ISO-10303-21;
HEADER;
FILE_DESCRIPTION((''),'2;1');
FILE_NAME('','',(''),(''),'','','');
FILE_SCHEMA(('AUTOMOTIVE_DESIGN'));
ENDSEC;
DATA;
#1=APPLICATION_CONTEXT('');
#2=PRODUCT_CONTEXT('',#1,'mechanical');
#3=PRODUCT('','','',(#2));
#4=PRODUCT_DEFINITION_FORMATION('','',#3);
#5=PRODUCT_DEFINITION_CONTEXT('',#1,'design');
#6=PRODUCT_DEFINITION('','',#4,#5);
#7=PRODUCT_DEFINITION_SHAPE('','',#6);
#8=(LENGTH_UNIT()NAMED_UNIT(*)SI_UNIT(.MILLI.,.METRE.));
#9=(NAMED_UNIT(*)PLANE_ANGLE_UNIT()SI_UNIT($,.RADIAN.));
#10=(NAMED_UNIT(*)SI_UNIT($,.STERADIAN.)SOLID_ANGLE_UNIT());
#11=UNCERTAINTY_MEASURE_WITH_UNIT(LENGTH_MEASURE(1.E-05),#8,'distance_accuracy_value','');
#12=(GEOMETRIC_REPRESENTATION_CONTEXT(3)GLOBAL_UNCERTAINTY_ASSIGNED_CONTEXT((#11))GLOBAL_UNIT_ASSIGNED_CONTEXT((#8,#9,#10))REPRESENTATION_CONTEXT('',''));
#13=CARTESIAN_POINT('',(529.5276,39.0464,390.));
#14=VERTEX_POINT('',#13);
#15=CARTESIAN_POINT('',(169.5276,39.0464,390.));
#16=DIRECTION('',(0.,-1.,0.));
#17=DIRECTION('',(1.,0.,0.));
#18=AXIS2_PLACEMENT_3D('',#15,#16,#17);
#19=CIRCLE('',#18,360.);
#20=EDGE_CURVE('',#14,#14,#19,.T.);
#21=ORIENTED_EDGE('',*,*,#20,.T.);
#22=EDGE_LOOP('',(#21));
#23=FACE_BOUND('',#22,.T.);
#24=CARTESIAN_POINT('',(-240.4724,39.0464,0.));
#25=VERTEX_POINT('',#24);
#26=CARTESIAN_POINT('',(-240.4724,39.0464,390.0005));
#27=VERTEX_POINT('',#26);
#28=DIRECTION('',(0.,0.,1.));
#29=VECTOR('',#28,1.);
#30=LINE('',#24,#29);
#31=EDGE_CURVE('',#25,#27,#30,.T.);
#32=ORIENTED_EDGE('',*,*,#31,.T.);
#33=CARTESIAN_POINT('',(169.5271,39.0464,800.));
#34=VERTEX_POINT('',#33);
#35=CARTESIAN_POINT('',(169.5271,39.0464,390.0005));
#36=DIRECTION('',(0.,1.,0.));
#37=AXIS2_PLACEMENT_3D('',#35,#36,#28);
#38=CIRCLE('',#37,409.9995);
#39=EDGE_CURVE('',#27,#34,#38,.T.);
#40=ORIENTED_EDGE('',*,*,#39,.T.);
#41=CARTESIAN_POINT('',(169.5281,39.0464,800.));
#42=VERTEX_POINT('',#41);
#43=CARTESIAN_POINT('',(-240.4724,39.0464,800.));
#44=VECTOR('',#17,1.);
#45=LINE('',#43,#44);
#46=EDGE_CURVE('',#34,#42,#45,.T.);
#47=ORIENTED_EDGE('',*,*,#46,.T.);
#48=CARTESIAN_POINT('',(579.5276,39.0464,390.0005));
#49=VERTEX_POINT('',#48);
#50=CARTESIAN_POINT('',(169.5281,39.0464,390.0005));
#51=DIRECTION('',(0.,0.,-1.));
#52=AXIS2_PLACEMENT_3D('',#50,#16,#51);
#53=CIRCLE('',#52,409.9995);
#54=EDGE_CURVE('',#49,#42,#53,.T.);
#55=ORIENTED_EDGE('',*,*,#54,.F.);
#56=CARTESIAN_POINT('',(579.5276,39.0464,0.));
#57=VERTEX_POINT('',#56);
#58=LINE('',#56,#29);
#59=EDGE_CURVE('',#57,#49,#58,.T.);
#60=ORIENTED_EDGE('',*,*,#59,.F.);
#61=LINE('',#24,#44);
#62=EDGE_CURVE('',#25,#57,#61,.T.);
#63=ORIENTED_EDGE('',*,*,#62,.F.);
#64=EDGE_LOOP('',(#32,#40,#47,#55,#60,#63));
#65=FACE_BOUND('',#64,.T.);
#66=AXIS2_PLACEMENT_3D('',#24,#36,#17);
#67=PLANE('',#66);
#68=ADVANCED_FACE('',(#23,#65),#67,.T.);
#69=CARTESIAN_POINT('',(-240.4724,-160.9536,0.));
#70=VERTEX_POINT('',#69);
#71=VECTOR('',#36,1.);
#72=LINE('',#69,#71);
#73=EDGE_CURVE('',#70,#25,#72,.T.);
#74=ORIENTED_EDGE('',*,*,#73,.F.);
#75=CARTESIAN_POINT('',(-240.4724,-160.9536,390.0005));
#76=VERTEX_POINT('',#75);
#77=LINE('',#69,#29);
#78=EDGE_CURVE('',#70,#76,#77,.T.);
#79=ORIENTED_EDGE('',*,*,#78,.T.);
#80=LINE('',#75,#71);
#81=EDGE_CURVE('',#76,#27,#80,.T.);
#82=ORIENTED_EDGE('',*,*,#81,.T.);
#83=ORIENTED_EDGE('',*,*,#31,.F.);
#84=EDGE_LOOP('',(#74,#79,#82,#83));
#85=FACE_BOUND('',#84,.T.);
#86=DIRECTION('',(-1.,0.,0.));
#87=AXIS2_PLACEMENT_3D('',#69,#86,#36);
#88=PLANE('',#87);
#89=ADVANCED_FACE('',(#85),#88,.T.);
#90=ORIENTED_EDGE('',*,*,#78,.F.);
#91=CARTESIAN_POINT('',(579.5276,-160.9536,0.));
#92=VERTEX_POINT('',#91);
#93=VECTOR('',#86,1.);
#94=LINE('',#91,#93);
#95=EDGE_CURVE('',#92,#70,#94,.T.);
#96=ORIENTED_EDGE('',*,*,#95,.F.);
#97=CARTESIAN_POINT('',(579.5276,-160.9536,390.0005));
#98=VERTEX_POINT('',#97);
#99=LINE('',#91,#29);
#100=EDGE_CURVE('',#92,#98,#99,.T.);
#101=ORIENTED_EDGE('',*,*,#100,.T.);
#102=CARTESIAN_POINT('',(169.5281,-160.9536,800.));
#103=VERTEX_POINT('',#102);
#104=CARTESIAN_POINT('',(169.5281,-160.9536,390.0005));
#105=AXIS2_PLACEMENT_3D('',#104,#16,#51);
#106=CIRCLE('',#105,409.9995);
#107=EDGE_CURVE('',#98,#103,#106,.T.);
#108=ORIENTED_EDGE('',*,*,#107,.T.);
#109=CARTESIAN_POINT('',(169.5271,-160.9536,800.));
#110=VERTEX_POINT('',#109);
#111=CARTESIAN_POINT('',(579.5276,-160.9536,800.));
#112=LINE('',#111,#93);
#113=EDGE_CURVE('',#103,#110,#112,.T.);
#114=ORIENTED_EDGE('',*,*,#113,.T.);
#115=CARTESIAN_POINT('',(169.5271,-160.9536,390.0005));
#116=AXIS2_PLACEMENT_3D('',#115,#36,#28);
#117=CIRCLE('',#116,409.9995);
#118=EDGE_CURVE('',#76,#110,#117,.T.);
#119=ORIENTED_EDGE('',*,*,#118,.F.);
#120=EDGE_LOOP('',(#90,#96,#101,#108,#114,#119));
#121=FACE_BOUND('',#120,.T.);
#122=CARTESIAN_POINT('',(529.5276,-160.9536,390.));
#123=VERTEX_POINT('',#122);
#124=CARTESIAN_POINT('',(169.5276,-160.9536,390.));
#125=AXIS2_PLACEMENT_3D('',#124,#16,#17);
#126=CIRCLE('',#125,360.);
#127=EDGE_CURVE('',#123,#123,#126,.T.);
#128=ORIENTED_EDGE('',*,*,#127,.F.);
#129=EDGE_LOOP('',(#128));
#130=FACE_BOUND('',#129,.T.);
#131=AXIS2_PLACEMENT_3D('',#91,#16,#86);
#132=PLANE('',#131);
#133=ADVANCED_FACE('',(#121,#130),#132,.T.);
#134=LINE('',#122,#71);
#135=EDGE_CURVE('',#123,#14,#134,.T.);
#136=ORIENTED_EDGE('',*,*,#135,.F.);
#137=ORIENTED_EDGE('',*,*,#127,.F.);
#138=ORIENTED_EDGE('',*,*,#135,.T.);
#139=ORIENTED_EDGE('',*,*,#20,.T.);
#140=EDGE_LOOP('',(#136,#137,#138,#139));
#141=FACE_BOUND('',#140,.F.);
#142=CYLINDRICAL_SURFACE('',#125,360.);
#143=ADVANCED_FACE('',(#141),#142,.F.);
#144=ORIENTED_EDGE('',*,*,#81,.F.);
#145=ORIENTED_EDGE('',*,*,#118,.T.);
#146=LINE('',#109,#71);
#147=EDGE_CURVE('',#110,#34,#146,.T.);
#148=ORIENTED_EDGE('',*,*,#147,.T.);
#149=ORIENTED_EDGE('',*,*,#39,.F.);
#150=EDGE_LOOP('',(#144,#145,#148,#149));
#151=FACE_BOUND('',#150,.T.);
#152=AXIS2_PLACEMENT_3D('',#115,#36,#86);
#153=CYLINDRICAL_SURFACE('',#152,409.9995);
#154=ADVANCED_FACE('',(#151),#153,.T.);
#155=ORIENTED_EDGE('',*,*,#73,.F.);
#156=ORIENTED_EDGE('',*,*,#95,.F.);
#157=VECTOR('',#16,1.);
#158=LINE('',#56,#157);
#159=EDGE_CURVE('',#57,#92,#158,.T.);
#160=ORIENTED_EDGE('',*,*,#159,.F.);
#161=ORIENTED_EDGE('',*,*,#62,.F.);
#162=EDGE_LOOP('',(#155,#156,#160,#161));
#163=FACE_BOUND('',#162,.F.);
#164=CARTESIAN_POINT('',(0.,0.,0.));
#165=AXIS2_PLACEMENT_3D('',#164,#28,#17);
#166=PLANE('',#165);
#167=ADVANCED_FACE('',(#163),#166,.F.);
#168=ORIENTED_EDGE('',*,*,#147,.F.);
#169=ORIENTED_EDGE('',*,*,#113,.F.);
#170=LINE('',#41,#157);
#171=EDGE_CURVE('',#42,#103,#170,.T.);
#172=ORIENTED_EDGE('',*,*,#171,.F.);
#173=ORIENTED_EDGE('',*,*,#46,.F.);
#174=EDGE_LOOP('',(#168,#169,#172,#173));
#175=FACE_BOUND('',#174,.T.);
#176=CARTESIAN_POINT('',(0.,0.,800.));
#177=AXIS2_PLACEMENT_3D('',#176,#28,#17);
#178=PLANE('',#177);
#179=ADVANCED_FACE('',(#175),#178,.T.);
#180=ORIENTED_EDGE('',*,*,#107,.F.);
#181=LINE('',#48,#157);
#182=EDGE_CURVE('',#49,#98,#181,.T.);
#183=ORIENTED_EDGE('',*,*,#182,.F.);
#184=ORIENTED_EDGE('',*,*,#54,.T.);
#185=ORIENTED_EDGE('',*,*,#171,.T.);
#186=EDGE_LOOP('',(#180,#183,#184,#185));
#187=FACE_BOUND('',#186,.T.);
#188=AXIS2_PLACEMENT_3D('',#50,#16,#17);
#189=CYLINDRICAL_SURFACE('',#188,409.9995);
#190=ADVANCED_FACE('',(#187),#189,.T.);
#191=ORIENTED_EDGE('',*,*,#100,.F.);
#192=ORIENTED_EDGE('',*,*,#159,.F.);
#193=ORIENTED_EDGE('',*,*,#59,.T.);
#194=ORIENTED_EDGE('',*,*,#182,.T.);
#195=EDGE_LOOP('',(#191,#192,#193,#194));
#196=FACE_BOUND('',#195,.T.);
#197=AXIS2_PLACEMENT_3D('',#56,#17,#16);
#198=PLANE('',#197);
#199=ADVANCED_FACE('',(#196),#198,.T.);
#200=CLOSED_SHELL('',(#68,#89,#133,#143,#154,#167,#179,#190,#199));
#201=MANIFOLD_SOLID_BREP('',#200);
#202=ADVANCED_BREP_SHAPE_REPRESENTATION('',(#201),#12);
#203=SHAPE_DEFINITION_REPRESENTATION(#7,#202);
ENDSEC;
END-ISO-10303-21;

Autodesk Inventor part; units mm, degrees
ref_plane "YZ Plane" through (0, 0, 0) normal (1, 0, 0) x (0, 1, 0)
ref_plane "XZ Plane" through (0, 0, 0) normal (0, 1, 0) x (-1, 0, 0)
ref_plane "XY Plane" through (0, 0, 0) normal (0, 0, 1) x (1, 0, 0)
sketch "Skizze1" plane through (0, 0, 0) normal (0, 0, 1) x (1, 0, 0)
  line L0 (-240.4724, 39.0464) -> (579.5276, 39.0464)
  line L1 (579.5276, 39.0464) -> (579.5276, -160.9536)
  line L2 (579.5276, -160.9536) -> (-240.4724, -160.9536)
  line L3 (-240.4724, -160.9536) -> (-240.4724, 39.0464)
  point P0 (0, 0)
  dimension "d0" = 200
  dimension "d1" = 820
extrude "Extrusion1" add sketch "Skizze1" along normal blind 800
fillet "Rundung1" radius 410 2 edges at (-240.4724, -60.9536, 800) (579.5276, -60.9536, 800)
sketch "Skizze2" plane through (-240.4724, -160.9536, 0) normal (0, -1, 0) x (1, 0, 0)
  circle A0 centre (410, 390) radius 360
  line L0 (820, 0) -> (820, 390) projected
  line L1 (0, 0) -> (820, 0) projected
  point P0 (240.4724, 0)
  dimension "d5" = 720
  dimension "d6" = 410
  dimension "d7" = 390
extrude "Extrusion2" cut sketch "Skizze2" against normal up to surface (200 mm away)
properties part number "XPS-Hinten"
